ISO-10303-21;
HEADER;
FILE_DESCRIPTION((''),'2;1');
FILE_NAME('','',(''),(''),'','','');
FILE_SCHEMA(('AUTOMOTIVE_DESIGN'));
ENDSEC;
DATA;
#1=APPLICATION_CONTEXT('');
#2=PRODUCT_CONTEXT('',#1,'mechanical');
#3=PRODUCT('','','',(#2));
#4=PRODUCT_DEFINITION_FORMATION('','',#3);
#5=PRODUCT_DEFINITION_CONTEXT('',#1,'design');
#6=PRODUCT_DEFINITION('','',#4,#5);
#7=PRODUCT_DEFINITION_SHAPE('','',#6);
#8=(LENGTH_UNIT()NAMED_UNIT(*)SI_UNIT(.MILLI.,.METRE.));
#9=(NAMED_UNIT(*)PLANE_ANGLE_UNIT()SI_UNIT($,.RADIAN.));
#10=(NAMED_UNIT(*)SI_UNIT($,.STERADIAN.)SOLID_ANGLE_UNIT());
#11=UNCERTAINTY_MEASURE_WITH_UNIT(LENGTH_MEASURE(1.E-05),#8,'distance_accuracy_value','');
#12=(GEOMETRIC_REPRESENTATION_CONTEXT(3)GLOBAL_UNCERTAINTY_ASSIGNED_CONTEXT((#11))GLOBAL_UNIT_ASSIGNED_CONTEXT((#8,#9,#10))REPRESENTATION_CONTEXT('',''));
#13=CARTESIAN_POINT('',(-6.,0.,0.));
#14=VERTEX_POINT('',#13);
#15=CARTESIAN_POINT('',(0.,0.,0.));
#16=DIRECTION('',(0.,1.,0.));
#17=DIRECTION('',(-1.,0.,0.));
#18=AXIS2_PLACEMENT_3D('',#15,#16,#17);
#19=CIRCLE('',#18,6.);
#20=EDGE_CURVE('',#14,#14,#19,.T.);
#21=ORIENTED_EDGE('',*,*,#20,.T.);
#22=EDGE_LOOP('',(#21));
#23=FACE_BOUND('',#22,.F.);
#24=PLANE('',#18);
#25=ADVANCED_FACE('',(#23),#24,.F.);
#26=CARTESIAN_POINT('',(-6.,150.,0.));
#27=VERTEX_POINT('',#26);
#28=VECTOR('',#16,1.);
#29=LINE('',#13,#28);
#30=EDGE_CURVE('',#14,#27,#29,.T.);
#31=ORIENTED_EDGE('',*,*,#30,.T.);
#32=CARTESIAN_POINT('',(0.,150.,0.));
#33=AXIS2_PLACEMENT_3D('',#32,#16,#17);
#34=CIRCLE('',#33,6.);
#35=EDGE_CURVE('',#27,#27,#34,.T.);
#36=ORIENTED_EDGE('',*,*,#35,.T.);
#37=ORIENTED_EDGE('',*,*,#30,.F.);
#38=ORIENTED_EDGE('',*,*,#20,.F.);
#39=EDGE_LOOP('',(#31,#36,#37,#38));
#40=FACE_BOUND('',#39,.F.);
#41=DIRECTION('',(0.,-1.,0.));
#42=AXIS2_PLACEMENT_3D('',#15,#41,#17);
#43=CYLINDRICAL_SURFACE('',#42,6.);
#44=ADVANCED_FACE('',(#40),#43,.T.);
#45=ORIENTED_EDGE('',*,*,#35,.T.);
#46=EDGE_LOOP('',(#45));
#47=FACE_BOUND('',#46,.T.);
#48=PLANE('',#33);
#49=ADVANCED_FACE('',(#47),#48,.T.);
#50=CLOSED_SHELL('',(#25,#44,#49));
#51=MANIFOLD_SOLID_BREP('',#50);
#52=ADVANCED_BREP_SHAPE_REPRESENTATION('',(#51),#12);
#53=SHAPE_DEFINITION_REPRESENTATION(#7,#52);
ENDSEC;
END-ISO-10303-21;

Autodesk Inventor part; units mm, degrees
ref_plane "Plan YZ" through (0, 0, 0) normal (1, 0, 0) x (0, 1, 0)
ref_plane "Plan XZ" through (0, 0, 0) normal (0, 1, 0) x (-1, 0, 0)
ref_plane "Plan XY" through (0, 0, 0) normal (0, 0, 1) x (1, 0, 0)
sketch "Esquisse1" plane through (0, 0, 0) normal (0, 1, 0) x (-1, 0, 0)
  circle A0 centre (0, 0) radius 6
  dimension "d0" = 12
extrude "Extrusion1" add sketch "Esquisse1" along normal blind 150
properties part number "tige_filetée"
